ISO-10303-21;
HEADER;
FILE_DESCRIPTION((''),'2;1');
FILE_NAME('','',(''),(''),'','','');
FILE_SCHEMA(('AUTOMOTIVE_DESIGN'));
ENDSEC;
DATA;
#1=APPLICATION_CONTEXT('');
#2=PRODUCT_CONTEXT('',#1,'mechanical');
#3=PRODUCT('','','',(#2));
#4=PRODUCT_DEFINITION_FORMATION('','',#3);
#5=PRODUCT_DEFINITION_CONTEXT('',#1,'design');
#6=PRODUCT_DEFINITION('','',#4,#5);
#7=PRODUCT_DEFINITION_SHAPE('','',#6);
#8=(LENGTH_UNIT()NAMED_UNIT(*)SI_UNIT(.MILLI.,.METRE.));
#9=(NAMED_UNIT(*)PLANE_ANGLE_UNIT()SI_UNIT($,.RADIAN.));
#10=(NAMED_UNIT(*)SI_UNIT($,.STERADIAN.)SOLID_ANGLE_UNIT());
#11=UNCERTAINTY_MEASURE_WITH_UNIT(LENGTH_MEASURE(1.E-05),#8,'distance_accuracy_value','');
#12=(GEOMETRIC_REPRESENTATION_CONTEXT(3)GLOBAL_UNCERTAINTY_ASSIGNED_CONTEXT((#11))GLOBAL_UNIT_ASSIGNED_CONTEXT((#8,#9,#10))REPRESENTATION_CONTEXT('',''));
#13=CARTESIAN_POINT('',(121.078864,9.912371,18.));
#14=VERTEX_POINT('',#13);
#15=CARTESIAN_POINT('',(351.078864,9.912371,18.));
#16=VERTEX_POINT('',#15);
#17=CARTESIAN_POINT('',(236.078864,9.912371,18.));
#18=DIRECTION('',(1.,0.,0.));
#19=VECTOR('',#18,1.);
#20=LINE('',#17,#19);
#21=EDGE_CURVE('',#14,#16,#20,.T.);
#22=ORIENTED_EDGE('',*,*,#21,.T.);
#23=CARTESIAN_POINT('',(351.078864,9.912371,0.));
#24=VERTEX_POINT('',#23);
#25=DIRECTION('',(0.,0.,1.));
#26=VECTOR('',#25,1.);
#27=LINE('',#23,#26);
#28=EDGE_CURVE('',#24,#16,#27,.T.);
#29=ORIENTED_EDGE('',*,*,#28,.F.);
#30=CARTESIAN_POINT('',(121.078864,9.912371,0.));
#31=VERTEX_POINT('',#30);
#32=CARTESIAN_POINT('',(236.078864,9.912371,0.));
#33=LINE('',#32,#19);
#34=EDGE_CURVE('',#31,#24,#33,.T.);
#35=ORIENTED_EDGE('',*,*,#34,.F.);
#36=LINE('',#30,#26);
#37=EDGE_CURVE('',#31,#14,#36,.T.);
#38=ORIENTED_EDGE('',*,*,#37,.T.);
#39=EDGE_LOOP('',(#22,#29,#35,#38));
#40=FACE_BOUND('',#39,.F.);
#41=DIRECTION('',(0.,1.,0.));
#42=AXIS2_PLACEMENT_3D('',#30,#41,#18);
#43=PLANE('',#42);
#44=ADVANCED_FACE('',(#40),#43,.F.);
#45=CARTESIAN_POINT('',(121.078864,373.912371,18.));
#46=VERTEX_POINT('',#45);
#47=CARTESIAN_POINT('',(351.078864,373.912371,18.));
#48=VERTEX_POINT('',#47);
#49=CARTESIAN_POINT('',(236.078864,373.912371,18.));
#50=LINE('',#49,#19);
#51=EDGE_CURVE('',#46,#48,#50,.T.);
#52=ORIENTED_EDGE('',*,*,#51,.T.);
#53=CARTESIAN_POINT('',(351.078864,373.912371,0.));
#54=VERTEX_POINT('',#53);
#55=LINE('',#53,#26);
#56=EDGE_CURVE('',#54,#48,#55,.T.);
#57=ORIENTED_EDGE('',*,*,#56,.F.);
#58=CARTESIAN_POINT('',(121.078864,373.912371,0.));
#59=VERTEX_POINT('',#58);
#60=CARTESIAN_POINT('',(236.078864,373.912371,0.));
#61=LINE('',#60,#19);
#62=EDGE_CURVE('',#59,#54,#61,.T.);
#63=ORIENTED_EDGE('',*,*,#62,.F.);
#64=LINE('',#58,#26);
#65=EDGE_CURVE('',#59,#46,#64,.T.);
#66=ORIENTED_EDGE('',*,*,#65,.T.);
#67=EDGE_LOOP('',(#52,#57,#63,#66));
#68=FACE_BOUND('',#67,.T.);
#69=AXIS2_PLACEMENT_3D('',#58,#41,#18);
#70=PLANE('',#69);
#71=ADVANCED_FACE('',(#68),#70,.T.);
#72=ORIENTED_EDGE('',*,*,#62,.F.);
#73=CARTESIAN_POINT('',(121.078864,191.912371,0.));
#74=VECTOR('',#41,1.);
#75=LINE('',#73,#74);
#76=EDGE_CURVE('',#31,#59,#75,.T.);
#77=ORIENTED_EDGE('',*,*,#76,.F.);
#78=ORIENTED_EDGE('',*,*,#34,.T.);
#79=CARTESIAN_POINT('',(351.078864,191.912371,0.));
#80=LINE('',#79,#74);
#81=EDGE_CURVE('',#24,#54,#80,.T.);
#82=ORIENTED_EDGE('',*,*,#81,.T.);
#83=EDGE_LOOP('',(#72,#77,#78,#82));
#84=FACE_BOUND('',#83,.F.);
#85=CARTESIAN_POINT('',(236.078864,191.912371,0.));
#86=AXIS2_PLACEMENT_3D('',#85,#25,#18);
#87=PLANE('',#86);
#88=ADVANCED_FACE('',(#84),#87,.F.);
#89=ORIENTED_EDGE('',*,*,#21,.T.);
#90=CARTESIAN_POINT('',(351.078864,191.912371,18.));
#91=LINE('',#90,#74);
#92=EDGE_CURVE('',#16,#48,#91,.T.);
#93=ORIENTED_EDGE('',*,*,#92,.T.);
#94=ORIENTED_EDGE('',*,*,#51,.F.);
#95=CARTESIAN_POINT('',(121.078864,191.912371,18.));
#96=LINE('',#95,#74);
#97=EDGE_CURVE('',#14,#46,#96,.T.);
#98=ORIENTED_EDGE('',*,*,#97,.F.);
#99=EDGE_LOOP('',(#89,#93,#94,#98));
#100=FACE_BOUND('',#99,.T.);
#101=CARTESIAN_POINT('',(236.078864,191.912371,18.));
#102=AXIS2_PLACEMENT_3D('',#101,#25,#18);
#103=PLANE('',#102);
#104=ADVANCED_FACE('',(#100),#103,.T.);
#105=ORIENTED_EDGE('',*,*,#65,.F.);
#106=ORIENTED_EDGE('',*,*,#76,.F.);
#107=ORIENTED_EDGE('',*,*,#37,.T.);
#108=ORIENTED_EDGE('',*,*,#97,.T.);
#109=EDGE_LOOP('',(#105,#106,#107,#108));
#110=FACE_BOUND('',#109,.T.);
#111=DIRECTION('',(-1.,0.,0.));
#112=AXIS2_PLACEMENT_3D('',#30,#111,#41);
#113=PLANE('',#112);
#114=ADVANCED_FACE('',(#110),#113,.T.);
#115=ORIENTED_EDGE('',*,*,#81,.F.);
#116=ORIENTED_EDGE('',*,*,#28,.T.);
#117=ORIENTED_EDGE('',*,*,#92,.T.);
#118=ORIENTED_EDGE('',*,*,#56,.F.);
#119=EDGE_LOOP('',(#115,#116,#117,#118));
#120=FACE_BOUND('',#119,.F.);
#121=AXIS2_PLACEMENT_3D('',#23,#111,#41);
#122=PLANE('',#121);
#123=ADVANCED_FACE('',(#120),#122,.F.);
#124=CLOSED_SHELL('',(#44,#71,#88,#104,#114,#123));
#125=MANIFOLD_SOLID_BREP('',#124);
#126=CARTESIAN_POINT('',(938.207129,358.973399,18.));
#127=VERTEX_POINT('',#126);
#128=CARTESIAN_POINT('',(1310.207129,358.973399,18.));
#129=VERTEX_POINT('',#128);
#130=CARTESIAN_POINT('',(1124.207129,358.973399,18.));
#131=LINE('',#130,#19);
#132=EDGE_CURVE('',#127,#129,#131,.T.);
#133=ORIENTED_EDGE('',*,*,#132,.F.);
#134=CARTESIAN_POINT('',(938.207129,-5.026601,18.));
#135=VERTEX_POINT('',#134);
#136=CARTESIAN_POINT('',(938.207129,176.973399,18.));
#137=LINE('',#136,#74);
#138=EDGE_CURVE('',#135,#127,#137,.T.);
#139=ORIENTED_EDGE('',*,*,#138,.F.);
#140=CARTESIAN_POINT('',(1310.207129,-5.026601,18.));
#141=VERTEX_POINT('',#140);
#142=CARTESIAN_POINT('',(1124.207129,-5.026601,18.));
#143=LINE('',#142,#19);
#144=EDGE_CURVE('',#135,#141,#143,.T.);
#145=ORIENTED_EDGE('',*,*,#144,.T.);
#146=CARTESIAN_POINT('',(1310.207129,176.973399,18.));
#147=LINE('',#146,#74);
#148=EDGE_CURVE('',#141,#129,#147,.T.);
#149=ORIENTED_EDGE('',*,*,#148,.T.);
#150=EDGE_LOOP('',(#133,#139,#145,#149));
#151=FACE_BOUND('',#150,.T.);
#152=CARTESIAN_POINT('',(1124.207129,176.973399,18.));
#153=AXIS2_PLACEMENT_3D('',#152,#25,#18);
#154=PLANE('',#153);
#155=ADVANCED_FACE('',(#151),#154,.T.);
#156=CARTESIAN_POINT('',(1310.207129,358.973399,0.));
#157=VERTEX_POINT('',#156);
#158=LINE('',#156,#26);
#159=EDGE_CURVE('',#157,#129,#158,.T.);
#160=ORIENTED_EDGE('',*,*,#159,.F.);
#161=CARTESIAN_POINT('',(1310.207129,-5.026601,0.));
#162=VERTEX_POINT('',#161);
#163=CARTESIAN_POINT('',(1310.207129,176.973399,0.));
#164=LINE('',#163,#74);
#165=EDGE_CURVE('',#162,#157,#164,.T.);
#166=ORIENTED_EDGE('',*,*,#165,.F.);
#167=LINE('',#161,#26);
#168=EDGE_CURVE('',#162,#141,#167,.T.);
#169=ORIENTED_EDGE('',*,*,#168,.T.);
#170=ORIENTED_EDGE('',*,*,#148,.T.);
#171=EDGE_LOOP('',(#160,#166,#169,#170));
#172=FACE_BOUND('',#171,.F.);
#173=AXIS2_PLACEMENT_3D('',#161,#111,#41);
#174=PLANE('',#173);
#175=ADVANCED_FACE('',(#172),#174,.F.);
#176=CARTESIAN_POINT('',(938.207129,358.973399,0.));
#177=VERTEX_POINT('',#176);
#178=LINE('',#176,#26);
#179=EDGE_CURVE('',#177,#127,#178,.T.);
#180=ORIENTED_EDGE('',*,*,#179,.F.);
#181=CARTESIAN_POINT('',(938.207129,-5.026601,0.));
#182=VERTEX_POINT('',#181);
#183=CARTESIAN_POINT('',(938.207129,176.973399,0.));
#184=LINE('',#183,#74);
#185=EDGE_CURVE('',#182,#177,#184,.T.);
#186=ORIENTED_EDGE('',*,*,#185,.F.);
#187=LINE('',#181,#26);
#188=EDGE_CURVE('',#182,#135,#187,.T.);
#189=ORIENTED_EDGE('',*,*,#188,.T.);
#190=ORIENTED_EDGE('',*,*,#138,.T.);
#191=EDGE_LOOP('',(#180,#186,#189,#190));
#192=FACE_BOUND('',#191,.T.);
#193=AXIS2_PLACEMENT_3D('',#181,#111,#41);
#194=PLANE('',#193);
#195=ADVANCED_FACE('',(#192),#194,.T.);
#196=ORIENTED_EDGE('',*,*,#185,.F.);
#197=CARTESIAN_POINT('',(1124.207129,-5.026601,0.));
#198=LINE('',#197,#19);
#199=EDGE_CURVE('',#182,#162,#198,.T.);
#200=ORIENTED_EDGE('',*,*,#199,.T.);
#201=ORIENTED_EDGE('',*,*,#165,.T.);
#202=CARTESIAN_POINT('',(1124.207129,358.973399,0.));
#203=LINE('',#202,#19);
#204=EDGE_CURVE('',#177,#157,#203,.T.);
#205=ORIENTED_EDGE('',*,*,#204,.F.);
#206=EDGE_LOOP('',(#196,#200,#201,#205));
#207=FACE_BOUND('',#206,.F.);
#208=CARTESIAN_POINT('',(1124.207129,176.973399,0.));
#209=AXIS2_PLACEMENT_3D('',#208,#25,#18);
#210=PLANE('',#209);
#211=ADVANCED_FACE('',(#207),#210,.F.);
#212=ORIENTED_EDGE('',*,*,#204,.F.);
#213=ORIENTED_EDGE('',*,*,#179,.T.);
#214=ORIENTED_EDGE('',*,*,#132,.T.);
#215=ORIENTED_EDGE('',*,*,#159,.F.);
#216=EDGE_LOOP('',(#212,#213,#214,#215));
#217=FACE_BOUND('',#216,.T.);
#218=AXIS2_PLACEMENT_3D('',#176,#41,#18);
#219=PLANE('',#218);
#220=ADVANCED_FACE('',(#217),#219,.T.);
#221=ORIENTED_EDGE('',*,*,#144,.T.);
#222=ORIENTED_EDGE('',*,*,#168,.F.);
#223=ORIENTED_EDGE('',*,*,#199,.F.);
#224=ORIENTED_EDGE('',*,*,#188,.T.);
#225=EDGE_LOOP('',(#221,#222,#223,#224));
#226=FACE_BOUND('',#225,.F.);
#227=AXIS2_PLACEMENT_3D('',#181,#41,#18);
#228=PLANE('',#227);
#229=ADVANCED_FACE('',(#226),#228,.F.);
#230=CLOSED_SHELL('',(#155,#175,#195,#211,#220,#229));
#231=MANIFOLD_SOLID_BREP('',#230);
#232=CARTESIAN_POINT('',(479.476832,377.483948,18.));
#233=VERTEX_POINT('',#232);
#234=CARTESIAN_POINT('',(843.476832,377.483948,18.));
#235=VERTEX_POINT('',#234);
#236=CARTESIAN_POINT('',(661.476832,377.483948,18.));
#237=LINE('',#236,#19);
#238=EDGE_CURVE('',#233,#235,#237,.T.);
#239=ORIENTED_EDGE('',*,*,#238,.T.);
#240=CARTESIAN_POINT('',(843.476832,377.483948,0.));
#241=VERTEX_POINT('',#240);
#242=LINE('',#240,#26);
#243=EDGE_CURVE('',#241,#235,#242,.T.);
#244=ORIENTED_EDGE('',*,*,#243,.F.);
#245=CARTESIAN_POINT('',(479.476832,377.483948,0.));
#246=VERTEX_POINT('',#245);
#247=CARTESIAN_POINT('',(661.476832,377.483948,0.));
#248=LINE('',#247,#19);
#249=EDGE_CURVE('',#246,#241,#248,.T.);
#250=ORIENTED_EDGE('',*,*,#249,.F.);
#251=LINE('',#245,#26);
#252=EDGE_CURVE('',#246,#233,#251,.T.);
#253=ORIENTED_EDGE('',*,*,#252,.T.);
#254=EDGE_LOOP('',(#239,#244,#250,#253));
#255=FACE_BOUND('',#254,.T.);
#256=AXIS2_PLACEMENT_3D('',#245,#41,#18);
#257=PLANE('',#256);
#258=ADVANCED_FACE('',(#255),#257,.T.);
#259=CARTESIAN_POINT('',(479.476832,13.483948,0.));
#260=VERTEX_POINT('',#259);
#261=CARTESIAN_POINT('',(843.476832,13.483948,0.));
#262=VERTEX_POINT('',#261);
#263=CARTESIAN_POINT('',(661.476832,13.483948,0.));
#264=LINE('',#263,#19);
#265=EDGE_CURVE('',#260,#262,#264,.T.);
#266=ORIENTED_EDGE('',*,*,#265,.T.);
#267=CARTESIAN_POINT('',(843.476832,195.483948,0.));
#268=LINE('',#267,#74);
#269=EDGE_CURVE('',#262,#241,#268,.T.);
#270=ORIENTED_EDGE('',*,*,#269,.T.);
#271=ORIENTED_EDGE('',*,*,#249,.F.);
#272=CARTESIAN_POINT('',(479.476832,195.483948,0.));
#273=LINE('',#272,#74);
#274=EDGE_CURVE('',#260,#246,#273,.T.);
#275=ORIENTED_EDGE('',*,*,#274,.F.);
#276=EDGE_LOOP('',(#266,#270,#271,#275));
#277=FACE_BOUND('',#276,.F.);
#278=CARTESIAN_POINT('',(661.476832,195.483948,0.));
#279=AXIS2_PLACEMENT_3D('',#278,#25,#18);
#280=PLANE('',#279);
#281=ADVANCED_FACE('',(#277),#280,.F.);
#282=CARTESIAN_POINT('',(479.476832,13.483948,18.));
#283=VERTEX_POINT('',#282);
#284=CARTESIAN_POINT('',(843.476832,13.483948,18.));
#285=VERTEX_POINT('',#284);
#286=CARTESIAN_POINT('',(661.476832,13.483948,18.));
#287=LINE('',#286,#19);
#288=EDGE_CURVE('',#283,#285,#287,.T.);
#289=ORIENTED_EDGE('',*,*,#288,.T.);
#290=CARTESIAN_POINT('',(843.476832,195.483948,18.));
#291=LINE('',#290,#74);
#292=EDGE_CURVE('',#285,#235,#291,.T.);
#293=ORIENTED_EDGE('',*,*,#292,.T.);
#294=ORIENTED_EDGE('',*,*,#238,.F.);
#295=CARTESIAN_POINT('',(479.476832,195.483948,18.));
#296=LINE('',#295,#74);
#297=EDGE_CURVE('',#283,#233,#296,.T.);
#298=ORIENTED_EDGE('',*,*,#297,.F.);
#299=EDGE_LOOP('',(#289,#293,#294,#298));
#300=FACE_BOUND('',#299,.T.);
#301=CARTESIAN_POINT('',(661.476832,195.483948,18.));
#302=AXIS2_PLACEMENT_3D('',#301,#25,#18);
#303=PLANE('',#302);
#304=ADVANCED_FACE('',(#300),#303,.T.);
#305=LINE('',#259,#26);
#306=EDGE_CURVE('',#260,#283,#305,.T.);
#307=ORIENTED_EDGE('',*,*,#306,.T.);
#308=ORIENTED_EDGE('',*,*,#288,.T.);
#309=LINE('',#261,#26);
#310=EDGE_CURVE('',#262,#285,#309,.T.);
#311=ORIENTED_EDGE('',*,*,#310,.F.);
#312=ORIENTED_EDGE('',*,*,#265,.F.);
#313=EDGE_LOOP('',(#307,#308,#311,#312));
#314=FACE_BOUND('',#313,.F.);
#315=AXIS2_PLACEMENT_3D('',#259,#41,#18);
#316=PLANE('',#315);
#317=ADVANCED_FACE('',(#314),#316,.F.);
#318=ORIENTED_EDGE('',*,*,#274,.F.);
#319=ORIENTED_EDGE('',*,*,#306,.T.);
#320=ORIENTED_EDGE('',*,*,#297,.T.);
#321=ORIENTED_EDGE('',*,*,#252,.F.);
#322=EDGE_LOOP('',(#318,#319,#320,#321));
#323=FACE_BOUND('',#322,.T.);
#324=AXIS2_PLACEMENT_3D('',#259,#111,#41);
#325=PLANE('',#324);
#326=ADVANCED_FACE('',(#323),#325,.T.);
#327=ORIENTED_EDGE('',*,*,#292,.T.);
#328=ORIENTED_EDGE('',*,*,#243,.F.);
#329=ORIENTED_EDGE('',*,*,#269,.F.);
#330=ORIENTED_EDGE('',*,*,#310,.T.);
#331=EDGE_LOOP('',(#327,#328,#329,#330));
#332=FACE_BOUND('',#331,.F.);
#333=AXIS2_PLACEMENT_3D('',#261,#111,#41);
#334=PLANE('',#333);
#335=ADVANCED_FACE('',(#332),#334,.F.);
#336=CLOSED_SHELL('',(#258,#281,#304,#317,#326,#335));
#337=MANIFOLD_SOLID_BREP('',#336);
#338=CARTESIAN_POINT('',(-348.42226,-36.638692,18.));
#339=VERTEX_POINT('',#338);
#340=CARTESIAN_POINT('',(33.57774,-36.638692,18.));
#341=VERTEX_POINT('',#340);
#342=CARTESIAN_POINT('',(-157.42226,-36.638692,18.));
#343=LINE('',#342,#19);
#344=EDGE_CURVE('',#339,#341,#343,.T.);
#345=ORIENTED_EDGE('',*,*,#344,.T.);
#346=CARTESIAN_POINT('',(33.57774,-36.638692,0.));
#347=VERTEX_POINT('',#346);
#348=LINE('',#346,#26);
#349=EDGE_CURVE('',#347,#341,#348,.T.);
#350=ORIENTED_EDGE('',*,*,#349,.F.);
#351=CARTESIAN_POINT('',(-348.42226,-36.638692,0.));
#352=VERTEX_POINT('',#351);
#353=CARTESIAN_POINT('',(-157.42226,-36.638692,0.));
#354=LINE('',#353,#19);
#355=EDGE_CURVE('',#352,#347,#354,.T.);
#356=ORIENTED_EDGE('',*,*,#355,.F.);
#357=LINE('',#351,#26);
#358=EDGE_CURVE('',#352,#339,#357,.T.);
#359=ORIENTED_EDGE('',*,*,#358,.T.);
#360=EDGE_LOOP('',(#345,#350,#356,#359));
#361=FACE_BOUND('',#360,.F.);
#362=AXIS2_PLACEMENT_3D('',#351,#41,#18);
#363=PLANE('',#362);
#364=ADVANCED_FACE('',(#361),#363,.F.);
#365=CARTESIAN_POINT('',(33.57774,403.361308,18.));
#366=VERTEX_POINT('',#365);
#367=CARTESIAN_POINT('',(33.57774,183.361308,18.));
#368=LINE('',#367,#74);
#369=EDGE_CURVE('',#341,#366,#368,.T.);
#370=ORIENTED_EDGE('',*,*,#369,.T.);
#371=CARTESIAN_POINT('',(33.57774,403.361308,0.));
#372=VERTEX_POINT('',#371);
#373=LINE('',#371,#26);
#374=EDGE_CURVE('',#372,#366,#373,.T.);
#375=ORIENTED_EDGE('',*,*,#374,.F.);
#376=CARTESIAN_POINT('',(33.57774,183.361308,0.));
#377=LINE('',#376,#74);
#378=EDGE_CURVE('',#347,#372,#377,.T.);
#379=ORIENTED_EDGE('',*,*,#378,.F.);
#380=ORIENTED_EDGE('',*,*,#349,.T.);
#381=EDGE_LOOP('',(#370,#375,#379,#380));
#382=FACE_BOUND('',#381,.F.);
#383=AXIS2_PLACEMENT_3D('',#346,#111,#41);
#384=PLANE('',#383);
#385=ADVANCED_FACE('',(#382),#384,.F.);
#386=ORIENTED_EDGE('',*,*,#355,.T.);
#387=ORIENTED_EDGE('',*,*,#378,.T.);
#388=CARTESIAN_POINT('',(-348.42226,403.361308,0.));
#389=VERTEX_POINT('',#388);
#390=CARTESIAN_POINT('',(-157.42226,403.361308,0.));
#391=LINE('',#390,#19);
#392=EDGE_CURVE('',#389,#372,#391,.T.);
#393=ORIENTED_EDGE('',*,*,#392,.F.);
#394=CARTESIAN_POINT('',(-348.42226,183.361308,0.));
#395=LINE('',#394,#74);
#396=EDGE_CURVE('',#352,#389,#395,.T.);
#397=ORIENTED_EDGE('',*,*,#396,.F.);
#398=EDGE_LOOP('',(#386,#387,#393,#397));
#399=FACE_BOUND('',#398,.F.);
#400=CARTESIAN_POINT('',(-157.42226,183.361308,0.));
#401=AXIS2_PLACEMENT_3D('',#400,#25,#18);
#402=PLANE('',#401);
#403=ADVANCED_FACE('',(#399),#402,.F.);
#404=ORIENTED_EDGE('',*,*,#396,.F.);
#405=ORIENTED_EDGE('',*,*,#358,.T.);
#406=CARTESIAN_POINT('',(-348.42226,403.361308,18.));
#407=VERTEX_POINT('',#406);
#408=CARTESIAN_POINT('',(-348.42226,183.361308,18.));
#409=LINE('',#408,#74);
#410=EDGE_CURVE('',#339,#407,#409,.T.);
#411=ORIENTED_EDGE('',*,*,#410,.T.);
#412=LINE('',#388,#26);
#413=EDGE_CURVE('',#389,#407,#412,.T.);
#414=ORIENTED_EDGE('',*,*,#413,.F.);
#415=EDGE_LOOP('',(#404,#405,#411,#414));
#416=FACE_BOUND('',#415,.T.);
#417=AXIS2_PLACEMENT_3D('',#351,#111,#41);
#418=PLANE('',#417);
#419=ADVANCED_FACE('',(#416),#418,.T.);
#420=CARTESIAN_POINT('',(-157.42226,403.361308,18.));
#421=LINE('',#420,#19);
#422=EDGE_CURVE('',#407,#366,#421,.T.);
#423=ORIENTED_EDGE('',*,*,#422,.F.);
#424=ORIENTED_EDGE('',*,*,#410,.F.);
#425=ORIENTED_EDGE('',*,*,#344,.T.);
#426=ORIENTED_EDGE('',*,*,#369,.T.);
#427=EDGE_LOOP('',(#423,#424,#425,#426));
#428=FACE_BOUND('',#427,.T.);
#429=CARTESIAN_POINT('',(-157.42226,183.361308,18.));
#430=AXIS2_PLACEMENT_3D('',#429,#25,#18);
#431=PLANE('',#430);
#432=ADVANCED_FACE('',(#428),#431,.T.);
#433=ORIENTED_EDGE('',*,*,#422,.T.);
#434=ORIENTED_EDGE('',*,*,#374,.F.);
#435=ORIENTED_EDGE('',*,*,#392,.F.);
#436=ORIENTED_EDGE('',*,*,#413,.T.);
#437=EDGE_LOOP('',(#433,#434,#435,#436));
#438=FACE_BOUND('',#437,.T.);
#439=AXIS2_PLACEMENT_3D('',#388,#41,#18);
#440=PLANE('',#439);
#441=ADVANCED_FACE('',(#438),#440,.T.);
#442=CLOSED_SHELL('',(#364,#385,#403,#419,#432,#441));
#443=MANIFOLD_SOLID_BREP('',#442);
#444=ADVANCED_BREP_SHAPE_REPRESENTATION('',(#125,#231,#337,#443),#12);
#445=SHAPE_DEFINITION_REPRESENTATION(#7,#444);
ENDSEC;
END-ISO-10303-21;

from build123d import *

# Parameters (mm, degrees)
F0_W     = 382
F0_H     = 440
F0_W_2   = 230
F0_H_2   = 364
F0_W_3   = 364
F0_W_4   = 372
F1_DEPTH = 18


with BuildPart() as f1:
    # F0 (on Top) → F1 (new body)
    with BuildSketch(Plane.XY):
        with Locations((-157.42226, 183.361308)):
            Rectangle(F0_W, F0_H)
        with Locations((236.078864, 191.912371)):
            Rectangle(F0_W_2, F0_H_2)
        with Locations((661.476832, 195.483948)):
            Rectangle(F0_W_3, F0_H_2)
        with Locations((1124.207129, 176.973399)):
            Rectangle(F0_W_4, F0_H_2)
    extrude(amount=F1_DEPTH)


solid = f1.part
